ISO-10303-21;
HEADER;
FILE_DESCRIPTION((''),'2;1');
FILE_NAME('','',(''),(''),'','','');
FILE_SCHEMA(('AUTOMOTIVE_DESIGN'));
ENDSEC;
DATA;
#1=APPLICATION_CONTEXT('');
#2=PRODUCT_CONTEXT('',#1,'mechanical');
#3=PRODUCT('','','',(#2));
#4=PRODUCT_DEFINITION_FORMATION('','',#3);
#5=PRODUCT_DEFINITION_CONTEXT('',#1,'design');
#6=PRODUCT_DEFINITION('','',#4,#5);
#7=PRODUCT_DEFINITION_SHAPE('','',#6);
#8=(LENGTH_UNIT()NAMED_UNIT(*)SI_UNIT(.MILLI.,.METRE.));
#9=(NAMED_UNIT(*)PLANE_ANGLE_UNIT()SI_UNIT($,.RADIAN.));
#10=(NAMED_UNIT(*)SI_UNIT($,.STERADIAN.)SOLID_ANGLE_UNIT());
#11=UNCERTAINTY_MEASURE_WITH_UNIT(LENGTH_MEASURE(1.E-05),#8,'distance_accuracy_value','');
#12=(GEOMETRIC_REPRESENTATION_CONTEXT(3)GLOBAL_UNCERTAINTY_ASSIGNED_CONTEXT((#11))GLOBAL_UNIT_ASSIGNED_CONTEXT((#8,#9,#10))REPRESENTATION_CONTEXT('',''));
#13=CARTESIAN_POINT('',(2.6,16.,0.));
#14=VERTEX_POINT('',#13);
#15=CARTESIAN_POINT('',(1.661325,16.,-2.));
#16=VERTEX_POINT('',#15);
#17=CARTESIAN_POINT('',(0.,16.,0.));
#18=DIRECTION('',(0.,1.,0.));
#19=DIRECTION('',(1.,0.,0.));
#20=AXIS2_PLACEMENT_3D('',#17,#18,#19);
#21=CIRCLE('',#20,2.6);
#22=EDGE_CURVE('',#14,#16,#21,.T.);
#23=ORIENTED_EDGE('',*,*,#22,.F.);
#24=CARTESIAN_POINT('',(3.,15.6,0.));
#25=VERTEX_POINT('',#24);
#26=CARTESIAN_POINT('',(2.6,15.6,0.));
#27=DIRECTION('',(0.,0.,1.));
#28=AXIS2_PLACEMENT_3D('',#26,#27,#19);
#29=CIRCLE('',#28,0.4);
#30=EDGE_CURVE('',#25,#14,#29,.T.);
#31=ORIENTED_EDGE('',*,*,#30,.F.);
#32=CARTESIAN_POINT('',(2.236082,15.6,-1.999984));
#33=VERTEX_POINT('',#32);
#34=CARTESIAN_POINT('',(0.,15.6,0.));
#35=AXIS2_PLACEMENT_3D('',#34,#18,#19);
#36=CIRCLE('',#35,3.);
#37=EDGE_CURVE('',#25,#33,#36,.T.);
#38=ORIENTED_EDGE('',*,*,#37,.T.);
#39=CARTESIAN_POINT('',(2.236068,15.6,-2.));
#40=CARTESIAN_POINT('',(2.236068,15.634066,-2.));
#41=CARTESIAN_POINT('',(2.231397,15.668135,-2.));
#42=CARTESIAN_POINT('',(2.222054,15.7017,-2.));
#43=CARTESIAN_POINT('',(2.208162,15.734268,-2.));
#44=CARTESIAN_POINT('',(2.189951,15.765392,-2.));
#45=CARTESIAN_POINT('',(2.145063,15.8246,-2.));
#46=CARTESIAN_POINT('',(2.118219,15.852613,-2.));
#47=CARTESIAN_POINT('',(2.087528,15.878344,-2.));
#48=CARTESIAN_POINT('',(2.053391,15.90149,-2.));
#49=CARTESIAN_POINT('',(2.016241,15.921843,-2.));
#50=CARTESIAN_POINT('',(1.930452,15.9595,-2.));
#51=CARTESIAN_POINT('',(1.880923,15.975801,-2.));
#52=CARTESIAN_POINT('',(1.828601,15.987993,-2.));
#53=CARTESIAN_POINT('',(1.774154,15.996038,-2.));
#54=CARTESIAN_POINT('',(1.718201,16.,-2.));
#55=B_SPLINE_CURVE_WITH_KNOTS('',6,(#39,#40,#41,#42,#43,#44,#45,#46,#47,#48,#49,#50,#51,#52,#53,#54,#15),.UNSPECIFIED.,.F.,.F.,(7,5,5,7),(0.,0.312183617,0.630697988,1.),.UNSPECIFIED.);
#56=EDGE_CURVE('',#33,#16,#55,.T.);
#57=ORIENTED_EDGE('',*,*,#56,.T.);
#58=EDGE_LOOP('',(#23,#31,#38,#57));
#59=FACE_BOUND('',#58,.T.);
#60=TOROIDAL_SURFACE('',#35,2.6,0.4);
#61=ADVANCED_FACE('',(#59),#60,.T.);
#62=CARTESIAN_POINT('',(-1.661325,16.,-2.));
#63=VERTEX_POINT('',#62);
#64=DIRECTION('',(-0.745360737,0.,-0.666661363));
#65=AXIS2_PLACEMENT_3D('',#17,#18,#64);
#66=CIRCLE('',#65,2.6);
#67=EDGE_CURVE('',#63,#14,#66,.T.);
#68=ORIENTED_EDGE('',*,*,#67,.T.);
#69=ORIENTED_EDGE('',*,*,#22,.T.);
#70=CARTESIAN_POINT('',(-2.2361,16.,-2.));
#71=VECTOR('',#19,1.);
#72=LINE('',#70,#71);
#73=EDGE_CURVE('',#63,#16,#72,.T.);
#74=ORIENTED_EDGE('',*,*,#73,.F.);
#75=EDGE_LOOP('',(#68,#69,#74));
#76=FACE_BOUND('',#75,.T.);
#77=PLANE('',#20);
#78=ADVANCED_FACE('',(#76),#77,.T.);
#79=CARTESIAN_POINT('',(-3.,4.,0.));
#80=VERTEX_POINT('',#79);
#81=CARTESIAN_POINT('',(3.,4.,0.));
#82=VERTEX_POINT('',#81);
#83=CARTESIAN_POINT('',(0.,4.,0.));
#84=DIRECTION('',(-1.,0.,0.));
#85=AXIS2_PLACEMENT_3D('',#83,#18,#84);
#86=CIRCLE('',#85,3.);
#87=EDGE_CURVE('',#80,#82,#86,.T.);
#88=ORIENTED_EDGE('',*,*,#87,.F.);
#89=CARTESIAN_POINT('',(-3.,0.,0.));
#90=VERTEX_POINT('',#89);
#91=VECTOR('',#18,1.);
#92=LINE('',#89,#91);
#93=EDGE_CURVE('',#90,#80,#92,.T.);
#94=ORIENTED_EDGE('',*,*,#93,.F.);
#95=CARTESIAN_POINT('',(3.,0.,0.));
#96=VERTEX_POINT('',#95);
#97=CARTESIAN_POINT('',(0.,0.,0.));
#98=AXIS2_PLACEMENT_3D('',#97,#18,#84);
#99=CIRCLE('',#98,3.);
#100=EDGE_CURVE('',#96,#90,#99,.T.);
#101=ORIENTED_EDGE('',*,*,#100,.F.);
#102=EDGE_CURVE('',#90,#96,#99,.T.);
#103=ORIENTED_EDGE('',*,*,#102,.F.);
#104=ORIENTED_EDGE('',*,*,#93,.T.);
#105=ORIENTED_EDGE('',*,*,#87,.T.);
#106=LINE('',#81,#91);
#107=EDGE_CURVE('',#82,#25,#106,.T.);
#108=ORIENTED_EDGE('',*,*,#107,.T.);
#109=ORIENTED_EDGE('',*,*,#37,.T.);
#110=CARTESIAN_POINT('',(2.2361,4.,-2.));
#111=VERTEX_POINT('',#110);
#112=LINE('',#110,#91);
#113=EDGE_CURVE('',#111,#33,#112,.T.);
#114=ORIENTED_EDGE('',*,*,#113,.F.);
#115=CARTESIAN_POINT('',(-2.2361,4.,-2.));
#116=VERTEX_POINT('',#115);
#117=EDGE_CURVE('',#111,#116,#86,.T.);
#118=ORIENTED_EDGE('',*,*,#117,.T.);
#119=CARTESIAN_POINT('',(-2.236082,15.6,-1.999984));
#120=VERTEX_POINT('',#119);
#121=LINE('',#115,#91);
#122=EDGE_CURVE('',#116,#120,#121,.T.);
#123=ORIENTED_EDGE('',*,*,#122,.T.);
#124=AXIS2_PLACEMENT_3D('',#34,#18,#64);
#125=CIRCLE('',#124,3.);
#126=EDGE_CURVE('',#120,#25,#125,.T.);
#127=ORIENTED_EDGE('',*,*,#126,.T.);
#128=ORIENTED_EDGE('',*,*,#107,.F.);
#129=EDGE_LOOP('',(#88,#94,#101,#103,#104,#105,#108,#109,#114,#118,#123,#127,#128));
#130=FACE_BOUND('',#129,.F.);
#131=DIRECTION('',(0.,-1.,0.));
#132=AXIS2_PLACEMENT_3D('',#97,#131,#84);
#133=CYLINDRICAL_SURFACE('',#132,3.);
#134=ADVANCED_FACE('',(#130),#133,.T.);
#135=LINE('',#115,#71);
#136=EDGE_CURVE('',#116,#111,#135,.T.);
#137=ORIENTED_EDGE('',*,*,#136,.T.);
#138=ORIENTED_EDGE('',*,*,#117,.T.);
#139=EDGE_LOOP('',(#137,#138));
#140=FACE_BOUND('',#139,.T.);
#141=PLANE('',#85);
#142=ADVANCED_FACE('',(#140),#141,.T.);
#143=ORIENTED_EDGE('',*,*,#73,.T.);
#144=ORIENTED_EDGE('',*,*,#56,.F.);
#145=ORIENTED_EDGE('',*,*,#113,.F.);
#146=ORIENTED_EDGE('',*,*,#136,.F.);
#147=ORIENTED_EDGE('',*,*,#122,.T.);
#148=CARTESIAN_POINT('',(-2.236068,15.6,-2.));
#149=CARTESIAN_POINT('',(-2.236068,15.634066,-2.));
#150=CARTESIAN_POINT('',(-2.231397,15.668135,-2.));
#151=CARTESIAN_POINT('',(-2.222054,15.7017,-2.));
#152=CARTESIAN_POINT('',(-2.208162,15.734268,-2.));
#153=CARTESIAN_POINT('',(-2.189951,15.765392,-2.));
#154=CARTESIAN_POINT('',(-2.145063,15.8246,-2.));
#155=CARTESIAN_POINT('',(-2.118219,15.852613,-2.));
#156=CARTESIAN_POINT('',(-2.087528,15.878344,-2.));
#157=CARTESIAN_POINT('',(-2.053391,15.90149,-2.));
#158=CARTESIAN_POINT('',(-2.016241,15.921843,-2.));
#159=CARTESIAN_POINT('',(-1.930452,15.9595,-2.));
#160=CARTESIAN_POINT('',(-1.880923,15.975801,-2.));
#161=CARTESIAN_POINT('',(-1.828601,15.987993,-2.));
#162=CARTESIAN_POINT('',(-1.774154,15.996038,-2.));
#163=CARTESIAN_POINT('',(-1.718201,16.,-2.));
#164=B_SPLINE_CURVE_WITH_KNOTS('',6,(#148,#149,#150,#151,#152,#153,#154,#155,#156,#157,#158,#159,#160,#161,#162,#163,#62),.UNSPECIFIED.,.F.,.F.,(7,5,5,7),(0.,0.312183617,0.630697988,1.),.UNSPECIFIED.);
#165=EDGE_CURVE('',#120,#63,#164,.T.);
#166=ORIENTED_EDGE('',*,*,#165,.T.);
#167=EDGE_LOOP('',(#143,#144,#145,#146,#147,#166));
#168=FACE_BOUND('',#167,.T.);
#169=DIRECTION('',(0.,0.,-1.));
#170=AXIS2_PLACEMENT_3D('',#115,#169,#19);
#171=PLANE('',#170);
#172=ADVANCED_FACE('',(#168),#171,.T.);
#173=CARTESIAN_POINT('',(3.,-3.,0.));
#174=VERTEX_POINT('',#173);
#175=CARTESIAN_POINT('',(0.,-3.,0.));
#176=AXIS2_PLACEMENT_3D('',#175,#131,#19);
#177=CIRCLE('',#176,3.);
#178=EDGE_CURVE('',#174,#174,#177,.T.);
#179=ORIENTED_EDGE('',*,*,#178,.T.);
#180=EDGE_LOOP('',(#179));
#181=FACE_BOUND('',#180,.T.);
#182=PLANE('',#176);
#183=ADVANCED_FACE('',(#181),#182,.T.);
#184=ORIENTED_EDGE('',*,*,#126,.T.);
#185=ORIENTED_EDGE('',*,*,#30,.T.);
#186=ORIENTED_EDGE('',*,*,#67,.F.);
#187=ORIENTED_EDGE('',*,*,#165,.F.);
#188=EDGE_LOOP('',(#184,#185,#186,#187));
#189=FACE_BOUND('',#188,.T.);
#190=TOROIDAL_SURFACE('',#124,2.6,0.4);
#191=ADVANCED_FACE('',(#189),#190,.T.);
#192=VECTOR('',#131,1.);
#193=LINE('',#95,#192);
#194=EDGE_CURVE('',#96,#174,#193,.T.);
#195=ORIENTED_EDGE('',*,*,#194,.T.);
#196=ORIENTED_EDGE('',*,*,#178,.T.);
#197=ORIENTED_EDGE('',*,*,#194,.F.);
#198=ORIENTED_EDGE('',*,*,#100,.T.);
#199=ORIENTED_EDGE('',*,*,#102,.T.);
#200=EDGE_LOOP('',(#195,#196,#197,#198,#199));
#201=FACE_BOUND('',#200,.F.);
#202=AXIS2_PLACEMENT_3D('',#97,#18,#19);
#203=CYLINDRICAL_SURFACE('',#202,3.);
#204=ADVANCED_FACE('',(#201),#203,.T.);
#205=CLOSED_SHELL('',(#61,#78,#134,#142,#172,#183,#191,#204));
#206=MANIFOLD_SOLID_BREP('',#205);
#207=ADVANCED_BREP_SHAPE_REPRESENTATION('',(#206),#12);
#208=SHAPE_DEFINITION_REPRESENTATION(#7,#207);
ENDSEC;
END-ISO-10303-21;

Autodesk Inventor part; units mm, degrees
ref_plane "YZ Plane" through (0, 0, 0) normal (1, 0, 0) x (0, 1, 0)
ref_plane "XZ Plane" through (0, 0, 0) normal (0, 1, 0) x (-1, 0, 0)
ref_plane "XY Plane" through (0, 0, 0) normal (0, 0, 1) x (1, 0, 0)
sketch "スケッチ1" plane through (0, 0, 0) normal (0, 1, 0) x (-1, 0, 0)
  circle A0 centre (0, 0) radius 3
  dimension "d0" = 6
extrude "押し出し1" add sketch "スケッチ1" along normal blind 4
sketch "スケッチ2" plane through (0, 4, 0) normal (0, 1, 0) x (1, 0, 0)
  circle A0 centre (0, 0) radius 3 projected
  line L0 (0, 3) -> (0, 2)
  line L1 (0, 2) -> (2.2361, 2)
  arc A1 (-2.2361, 2) -> (2.2361, 2) centre (0, 0) ccw
  line L2 (-2.2361, 2) -> (0, 2)
  dimension "d3" = 1
extrude "押し出し2" add sketch "スケッチ2" along normal blind 12 contours A0 L2 L1
sketch "スケッチ3" plane through (0, 0, 0) normal (0, -1, 0) x (1, 0, 0)
  circle A0 centre (0, 0) radius 3
extrude "押し出し3" add sketch "スケッチ3" along normal blind 3
fillet "フィレット1" radius 0.4 1 edges at (0, 16, 3)
properties part number "モーター100：1軸"
